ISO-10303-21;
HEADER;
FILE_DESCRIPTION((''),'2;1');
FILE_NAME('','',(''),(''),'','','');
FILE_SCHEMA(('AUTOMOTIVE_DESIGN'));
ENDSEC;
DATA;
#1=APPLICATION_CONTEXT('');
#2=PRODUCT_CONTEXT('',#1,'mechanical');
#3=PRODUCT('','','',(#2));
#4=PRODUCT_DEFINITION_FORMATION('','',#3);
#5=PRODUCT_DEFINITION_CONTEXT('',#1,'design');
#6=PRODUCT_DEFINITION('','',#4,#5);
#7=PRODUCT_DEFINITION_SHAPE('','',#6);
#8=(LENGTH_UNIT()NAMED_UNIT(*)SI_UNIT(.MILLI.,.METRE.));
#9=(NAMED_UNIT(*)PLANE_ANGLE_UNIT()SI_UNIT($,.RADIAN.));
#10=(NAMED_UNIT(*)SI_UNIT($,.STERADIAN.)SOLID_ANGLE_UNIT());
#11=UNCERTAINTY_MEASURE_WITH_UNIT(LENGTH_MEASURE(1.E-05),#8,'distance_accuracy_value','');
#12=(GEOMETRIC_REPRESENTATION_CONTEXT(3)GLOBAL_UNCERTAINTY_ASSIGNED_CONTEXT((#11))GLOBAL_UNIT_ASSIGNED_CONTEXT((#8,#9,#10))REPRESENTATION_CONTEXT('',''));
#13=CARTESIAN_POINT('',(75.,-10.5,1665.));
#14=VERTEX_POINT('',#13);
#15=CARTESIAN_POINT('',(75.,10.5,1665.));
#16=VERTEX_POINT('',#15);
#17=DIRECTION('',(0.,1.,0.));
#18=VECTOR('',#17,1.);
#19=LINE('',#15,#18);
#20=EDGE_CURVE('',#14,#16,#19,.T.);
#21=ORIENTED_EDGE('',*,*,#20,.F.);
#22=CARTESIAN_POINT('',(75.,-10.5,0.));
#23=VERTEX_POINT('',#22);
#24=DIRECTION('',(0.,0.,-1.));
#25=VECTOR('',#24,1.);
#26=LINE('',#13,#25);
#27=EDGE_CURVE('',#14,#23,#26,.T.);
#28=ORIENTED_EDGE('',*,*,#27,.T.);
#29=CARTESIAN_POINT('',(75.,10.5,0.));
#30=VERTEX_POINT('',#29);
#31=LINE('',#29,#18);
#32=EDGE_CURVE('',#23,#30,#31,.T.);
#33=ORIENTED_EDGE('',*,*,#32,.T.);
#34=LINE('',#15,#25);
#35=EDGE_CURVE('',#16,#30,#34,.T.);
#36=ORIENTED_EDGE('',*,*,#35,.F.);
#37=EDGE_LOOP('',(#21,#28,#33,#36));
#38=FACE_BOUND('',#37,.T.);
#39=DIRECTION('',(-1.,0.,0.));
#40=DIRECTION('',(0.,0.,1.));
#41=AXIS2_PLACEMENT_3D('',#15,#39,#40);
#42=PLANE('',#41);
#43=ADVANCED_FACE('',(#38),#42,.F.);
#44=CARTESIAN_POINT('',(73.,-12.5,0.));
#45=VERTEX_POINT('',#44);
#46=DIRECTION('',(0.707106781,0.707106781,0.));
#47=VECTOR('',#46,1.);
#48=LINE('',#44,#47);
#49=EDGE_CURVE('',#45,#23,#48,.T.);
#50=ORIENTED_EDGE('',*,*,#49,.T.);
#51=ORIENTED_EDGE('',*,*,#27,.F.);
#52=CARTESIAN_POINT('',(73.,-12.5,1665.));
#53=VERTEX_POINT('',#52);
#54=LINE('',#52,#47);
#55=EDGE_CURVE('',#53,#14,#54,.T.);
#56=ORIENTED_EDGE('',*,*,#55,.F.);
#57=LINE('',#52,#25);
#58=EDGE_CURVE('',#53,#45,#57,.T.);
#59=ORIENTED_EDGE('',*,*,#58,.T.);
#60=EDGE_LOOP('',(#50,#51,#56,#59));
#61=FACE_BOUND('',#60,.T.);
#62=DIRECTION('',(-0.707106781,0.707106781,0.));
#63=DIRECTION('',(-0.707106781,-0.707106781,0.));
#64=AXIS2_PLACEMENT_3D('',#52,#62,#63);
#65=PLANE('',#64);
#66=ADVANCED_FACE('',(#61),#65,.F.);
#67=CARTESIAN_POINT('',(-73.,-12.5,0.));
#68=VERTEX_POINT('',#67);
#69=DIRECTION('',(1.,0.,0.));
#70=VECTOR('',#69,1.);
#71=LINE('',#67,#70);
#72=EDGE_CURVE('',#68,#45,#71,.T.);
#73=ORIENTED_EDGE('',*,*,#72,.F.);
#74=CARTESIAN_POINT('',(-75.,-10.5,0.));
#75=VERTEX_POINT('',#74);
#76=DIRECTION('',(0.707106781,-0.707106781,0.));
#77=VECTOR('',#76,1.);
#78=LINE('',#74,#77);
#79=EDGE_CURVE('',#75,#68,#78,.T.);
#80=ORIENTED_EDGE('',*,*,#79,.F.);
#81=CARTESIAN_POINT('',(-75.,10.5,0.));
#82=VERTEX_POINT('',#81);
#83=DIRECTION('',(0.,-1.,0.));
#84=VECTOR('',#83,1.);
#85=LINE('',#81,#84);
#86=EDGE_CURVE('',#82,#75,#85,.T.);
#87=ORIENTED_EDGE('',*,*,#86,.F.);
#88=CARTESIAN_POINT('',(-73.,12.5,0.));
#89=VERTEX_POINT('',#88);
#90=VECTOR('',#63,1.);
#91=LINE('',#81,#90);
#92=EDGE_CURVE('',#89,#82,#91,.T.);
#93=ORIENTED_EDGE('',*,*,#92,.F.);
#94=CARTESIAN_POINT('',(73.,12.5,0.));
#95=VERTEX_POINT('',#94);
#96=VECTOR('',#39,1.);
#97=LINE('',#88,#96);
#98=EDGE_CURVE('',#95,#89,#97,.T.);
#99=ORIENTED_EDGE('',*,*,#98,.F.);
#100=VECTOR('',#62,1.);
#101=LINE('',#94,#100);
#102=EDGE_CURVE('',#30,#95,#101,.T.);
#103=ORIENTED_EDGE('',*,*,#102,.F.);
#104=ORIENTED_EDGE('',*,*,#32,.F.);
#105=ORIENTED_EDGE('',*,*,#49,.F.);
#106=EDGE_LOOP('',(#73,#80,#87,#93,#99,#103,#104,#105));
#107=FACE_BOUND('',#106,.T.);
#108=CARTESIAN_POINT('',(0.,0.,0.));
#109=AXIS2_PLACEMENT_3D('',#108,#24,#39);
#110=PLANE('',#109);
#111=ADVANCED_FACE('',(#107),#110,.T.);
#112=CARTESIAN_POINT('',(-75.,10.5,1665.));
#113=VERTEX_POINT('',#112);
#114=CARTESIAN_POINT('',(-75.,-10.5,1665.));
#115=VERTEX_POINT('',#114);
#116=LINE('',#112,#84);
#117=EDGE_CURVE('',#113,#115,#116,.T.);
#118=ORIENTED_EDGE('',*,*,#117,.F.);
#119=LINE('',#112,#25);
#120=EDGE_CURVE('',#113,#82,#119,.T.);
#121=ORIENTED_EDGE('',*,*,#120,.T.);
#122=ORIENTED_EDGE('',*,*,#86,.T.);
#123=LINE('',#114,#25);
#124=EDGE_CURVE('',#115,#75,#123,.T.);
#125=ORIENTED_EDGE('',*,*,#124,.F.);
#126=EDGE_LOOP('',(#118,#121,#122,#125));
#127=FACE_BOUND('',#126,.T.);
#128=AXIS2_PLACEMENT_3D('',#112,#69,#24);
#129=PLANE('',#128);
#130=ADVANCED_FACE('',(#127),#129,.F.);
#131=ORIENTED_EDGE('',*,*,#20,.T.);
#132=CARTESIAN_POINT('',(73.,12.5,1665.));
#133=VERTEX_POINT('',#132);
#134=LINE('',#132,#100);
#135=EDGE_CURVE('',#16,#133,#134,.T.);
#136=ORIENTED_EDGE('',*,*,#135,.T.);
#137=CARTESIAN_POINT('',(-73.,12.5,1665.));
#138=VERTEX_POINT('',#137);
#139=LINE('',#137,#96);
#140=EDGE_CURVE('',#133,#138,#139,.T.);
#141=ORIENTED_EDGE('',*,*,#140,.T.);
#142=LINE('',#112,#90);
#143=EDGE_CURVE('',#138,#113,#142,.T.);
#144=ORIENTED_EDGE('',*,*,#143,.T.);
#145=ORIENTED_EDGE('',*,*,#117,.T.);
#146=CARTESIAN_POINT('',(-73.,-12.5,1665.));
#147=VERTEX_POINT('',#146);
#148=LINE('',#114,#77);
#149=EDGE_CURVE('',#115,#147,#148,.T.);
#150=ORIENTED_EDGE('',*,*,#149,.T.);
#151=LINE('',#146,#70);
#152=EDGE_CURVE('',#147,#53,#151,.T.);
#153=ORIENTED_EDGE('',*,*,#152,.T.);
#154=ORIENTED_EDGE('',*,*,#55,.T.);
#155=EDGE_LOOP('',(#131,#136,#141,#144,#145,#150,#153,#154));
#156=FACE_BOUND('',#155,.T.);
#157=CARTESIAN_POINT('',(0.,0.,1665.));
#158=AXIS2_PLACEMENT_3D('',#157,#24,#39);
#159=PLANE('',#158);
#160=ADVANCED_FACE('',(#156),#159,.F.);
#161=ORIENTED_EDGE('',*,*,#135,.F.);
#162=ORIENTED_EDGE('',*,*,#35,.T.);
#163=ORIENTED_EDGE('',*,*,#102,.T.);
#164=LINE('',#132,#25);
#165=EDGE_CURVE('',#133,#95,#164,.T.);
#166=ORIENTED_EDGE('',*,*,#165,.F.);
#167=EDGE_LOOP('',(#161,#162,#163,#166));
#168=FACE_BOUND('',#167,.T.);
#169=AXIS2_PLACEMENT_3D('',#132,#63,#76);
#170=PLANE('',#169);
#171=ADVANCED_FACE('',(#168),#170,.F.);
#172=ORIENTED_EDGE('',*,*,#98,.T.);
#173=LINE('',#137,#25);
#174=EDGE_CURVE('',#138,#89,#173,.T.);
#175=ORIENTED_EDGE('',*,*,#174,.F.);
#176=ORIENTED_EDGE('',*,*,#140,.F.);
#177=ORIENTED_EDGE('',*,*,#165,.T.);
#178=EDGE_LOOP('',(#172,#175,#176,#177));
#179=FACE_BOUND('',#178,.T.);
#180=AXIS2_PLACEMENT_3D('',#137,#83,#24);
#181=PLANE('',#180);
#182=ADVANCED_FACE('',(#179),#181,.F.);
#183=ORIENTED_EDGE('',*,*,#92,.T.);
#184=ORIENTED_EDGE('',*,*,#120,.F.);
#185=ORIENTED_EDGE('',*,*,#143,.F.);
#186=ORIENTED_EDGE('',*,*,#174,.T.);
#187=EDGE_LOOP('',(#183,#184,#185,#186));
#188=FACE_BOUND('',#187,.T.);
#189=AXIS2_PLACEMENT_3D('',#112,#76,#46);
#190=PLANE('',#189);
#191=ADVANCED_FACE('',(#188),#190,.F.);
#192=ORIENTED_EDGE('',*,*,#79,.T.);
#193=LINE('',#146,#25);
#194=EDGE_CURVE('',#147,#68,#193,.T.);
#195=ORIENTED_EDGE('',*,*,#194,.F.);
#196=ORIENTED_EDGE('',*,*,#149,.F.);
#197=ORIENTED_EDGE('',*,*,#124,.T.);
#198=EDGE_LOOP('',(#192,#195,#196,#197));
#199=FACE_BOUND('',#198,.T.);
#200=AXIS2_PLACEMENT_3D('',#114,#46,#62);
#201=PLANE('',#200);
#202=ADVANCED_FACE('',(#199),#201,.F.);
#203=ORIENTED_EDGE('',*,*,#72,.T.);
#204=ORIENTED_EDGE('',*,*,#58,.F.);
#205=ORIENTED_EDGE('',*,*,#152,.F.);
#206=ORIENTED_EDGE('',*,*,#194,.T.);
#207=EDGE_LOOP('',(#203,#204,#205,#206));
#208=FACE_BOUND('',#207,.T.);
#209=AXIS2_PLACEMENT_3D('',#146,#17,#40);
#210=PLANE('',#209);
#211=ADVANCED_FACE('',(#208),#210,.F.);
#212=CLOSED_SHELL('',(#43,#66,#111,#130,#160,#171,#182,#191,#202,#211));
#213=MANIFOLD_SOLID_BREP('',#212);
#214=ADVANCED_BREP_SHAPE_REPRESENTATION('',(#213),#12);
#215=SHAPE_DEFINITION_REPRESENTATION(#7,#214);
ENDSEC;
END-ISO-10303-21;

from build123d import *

# Parameters (mm, degrees)
EXTRUDE_1_DEPTH = 1665


with BuildPart() as part:
    # Эскиз1 → Бобышка-Вытянуть1 (new body)
    with BuildSketch(Plane.XY):
        Polygon((-75, 10.5), (-73, 12.5), (73, 12.5), (75, 10.5), (75, -10.5), (73, -12.5), (-73, -12.5), (-75, -10.5), align=None)
    extrude(amount=EXTRUDE_1_DEPTH)


solid = part.part
